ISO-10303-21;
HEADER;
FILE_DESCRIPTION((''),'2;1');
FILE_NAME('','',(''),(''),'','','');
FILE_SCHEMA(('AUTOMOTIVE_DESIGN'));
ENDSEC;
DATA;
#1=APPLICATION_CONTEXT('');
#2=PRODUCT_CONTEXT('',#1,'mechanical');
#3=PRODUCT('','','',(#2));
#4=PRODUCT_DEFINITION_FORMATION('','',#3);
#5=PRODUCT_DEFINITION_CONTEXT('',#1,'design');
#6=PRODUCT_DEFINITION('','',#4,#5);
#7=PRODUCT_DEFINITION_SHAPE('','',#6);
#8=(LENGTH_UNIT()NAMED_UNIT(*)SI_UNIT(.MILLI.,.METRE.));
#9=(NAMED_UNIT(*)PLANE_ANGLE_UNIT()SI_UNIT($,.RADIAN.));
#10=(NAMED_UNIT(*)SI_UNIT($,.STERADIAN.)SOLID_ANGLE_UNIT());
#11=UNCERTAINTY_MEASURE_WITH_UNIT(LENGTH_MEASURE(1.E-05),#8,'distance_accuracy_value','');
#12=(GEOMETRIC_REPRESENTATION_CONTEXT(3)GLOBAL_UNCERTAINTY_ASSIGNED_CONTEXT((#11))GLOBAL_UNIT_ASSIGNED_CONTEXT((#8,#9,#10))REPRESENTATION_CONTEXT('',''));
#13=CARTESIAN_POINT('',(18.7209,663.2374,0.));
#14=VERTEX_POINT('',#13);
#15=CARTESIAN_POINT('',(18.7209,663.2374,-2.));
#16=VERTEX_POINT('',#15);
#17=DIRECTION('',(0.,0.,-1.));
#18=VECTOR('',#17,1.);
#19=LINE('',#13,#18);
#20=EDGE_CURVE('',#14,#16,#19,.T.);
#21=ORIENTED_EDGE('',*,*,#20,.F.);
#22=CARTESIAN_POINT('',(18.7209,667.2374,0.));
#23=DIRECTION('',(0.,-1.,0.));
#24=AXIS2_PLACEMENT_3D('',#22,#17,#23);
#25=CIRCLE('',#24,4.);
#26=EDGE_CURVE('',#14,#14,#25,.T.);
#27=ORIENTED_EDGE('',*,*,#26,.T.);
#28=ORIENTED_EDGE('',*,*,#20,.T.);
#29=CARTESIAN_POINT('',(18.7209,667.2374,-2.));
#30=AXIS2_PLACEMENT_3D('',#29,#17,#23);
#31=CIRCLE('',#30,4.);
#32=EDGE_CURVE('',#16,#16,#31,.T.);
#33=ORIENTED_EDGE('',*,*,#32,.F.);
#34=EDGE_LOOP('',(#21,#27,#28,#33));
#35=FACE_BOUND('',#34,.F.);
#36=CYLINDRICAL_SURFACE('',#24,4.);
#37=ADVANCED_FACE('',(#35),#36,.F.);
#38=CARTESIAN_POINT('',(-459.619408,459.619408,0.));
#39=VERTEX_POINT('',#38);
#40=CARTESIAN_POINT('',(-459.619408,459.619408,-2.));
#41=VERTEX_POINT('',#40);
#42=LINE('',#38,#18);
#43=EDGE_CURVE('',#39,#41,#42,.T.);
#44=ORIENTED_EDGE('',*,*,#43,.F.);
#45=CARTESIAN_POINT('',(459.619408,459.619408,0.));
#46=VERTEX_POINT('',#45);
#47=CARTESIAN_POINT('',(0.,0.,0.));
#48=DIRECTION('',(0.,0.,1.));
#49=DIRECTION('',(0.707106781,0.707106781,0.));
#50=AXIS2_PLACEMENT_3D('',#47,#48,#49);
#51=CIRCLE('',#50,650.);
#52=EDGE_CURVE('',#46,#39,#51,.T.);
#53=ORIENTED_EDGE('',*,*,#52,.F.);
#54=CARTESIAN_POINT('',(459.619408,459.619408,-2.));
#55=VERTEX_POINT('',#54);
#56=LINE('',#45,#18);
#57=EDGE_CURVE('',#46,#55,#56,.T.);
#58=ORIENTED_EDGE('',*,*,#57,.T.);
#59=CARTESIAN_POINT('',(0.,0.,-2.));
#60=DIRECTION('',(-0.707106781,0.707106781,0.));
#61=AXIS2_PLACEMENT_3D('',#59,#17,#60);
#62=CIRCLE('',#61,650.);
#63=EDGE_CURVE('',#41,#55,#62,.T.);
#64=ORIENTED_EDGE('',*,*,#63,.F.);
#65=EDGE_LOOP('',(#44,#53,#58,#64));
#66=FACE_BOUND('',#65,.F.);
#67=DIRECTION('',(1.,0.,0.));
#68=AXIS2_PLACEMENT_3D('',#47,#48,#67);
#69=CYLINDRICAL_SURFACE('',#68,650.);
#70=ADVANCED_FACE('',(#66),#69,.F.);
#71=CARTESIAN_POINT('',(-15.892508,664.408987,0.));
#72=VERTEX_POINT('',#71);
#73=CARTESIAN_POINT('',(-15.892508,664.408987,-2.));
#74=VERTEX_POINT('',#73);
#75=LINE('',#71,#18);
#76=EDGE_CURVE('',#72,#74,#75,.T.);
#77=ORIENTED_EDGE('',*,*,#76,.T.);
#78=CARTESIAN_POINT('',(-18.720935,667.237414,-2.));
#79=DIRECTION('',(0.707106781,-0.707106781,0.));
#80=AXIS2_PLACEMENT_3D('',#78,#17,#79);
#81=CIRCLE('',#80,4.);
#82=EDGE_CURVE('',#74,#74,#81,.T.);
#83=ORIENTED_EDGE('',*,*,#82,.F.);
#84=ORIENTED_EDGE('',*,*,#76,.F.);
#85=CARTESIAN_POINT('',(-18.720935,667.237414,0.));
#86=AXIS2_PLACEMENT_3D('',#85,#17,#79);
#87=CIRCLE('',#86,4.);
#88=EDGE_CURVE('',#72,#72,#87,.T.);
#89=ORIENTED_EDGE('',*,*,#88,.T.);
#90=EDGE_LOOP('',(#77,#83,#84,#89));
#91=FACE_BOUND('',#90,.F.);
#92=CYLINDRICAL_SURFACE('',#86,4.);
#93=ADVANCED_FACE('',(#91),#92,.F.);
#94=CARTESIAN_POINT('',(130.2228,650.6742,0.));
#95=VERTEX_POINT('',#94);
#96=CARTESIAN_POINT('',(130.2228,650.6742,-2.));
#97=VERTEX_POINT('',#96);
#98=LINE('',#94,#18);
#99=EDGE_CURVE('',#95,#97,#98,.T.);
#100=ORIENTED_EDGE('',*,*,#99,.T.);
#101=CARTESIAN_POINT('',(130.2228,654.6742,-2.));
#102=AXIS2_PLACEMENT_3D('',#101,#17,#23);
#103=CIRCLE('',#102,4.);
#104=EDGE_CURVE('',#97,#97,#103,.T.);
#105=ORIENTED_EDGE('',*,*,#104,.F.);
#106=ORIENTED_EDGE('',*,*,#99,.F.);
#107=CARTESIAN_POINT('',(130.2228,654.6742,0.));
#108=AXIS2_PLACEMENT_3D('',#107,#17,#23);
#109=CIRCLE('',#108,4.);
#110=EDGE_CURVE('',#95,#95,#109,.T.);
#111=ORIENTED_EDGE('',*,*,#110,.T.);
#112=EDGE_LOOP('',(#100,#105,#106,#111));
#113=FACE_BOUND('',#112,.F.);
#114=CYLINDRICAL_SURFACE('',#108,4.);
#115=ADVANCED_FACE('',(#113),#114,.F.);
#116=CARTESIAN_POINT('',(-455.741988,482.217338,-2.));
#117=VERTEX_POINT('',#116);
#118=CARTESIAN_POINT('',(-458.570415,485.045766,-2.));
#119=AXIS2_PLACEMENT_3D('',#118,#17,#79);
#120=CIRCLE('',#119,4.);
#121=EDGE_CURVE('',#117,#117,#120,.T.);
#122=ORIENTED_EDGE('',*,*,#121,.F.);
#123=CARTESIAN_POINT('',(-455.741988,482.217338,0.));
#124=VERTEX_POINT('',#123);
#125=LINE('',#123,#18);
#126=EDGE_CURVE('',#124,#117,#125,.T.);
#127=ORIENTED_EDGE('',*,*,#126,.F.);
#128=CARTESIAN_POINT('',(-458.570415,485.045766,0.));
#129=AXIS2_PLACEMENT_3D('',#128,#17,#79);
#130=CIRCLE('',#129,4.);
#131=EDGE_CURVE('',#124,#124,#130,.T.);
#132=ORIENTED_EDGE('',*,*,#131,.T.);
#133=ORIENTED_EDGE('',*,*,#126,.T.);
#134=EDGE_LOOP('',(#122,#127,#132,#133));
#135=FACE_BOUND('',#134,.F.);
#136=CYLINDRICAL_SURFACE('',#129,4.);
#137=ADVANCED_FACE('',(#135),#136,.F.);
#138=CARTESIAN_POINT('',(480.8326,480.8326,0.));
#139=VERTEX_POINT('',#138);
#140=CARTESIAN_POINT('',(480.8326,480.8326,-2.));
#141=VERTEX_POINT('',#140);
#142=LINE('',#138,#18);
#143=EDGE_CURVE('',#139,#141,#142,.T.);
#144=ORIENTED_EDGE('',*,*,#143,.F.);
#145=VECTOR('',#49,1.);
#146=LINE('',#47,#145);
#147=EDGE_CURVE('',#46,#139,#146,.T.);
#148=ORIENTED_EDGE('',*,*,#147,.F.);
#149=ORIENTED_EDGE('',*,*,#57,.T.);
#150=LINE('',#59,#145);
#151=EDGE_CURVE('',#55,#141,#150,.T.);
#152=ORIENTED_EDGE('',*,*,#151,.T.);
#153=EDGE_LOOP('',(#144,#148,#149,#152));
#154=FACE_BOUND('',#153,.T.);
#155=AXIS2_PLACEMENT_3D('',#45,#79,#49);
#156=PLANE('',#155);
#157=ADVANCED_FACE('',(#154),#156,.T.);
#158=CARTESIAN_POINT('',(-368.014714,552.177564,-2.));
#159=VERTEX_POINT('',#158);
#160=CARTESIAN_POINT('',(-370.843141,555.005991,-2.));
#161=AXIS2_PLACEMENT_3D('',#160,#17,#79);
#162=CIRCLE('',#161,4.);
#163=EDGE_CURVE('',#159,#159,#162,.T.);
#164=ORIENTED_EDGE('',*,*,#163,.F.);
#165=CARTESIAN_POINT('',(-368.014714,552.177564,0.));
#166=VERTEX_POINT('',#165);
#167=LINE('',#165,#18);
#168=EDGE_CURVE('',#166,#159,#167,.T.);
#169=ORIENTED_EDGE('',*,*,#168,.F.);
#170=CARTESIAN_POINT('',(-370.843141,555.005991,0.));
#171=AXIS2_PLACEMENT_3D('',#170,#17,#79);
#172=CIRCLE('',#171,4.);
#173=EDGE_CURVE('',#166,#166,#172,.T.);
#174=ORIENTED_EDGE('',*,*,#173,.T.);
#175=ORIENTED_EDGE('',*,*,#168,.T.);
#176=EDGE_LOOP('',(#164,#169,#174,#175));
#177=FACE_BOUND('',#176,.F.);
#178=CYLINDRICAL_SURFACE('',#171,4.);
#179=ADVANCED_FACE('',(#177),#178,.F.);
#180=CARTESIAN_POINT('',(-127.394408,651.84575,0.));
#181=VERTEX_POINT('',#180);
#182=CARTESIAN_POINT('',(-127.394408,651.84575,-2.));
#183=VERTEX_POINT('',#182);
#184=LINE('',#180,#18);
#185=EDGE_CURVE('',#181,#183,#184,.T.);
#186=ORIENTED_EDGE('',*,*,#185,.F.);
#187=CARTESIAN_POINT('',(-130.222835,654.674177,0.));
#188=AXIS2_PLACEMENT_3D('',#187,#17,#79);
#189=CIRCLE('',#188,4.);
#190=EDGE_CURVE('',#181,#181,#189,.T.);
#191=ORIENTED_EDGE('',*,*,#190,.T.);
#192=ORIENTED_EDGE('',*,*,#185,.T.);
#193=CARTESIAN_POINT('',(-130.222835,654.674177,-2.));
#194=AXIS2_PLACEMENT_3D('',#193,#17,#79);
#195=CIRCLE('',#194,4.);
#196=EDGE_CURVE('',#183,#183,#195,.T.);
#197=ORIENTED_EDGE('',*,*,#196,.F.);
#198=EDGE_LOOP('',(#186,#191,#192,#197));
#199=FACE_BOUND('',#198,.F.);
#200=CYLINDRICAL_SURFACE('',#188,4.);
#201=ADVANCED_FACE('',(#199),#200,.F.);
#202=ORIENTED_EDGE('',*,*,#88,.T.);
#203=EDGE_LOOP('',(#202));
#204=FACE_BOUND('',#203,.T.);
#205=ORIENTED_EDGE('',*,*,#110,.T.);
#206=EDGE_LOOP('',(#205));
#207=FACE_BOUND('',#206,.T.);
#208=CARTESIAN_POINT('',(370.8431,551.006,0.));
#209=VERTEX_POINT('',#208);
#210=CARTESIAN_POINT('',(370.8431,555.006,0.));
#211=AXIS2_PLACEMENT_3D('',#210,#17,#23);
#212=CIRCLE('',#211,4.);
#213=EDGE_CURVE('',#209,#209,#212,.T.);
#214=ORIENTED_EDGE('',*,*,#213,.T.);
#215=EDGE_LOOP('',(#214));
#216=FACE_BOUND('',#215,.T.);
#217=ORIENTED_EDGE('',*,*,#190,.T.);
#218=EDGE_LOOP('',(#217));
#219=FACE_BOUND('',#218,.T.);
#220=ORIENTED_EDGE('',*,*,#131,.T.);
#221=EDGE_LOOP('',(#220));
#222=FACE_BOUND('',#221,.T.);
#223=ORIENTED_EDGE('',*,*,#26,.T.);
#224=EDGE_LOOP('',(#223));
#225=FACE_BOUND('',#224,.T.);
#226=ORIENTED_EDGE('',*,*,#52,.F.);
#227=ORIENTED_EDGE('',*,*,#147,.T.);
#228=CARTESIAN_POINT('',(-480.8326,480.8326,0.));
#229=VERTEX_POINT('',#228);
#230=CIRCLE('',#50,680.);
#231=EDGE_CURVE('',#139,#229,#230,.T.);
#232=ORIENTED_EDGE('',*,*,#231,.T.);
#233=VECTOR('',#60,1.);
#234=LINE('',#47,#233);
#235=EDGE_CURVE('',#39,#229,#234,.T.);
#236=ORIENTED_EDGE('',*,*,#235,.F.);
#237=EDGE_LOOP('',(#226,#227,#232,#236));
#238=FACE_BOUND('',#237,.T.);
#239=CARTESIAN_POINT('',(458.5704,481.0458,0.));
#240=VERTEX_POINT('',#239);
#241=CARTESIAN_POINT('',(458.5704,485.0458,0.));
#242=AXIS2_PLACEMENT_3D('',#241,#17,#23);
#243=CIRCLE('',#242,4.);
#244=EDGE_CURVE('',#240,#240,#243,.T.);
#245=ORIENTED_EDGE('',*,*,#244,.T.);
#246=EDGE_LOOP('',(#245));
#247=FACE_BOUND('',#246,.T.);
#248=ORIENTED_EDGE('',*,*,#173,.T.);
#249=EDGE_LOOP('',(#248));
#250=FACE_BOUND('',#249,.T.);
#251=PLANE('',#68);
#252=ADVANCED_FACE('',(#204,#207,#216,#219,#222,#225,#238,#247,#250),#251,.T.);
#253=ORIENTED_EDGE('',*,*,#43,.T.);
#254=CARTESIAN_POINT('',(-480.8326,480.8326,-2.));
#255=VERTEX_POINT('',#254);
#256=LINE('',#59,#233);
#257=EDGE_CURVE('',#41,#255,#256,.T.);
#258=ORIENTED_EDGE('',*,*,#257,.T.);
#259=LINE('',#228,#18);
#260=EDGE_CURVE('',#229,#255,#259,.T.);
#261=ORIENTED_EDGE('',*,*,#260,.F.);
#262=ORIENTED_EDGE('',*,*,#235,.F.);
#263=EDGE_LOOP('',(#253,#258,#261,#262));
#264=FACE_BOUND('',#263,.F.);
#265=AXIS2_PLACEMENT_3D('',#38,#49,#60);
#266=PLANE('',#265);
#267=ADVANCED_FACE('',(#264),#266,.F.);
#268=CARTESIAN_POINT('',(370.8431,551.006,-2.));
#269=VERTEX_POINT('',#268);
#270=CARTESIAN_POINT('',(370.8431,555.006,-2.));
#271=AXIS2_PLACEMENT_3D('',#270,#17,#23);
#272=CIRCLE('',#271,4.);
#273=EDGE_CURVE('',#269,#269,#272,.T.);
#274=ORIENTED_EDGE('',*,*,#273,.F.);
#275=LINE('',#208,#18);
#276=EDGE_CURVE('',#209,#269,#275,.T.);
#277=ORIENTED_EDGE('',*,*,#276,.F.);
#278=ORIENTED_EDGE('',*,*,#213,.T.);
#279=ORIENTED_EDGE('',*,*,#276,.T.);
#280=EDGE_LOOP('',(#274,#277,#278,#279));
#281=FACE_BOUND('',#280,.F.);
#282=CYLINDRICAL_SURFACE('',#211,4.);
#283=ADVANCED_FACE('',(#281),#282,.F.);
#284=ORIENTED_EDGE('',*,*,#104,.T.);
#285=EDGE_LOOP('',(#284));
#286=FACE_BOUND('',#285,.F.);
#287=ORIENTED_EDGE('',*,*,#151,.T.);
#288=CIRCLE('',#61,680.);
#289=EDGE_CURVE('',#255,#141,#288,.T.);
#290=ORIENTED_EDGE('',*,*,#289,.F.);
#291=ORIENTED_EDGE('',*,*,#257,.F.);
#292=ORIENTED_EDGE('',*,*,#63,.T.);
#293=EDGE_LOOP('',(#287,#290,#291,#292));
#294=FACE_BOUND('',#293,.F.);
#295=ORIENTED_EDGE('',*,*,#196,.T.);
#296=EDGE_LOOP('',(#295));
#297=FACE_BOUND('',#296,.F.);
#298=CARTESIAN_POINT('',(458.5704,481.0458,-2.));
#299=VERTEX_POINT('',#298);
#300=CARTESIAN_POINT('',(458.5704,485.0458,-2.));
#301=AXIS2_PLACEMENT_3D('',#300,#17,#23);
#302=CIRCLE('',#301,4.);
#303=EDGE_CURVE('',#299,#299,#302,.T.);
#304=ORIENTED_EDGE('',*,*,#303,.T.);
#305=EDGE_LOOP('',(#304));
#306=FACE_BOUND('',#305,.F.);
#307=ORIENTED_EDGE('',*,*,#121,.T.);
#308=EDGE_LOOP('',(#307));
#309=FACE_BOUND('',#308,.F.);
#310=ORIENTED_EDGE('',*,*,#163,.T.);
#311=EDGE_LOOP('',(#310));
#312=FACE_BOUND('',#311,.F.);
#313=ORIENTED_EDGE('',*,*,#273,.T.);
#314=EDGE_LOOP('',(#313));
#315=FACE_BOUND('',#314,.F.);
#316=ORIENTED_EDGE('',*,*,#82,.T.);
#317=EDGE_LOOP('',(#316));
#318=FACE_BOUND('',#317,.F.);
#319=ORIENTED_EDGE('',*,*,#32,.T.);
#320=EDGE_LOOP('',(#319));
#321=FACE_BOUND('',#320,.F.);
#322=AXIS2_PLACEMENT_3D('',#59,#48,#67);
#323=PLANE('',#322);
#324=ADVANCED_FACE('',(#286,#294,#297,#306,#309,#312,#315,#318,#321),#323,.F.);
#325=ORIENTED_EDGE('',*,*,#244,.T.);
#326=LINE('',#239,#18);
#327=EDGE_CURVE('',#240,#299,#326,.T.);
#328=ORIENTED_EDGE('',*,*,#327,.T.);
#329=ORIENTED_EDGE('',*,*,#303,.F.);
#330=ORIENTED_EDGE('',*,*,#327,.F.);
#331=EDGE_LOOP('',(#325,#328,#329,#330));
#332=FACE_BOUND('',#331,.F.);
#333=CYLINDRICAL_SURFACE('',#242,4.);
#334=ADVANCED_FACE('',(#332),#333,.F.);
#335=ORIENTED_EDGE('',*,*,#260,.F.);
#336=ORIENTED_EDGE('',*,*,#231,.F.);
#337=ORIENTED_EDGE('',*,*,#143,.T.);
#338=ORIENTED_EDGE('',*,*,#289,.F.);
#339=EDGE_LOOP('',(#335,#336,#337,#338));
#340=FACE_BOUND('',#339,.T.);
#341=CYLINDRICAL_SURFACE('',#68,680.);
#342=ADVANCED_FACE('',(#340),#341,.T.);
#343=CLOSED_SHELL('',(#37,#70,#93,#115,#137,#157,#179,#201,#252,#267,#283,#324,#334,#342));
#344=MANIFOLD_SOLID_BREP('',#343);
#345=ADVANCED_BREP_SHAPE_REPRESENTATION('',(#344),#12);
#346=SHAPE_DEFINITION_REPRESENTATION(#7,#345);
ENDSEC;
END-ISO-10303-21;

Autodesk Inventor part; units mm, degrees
ref_plane "YZ Plane" through (0, 0, 0) normal (1, 0, 0) x (0, 1, 0)
ref_plane "XZ Plane" through (0, 0, 0) normal (0, 1, 0) x (-1, 0, 0)
ref_plane "XY Plane" through (0, 0, 0) normal (0, 0, 1) x (1, 0, 0)
sketch "Sketch1" plane through (0, 0, 0) normal (0, 0, 1) x (1, 0, 0)
  circle A0 centre (0, 0) radius 650
  circle A1 centre (0, 0) radius 680
  line L0 (0, 0) -> (-480.8326, 480.8326)
  line L1 (0, 0) -> (0, 680)
  line L2 (0, 0) -> (480.8326, 480.8326)
  point P0 (-459.6194, 459.6194)
  point P1 (459.6194, 459.6194)
  dimension "d30" = 90
  dimension "d31" = 1360
  dimension "d32" = 1300
extrude "Plate1" add sketch "Sketch1" against normal blind 2 contours A0 L1 A1 L2 | L0 A1 L1 A0
sketch "Sketch2" plane through (0, 0, 0) normal (0, 0, 1) x (1, 0, 0)
  circle A0 centre (0, 0) radius 667.5
  arc A1 (480.8326, 480.8326) -> (-480.8326, 480.8326) centre (0, 0) ccw projected
  line L0 (0, 0) -> (480.8326, 480.8326) construction
  line L1 (0, 0) -> (458.5704, 485.0458) construction
  line L2 (370.8431, 555.006) -> (0, 0) construction
  line L3 (0, 0) -> (0, 667.5) construction
  line L4 (0, 0) -> (18.7209, 667.2374) construction
  line L5 (0, 0) -> (130.2228, 654.6742) construction
  line L6 (0, 0) -> (339.1403, 574.9262) construction
  line L7 (0, 0) -> (238.0449, 623.6112) construction
  dimension "d34" = 1335
  dimension "d35" = 1.607
  dimension "d36" = 9.643
  dimension "d44" = 1.607
  dimension "d45" = 9.643
  dimension "d49" = 3.214
  dimension "d50" = 9.643
hole "Hole1" at (458.5704, 485.0458, 0) at (370.8431, 555.006, 0) at (130.2228, 654.6742, 0) at (18.7209, 667.2374, 0) direction (0, 0, -1) diameter 8 end through all
pattern_circular "Circular Pattern1" count 2 over 45 about axis through (0, 0, -10) along (0, 0, 1) of "Hole1"
equation "\"d31\" = Колесо_диам_1"
equation "\"d32\" = Колесо_диам_2"
equation "\"d44\" = d35"
equation "\"d45\" = d36"
equation "\"d49\" = 2 * d35"
equation "\"d50\" = d36"
equation "\"d42\" = Thickness"
equation "\"d15\" = Thickness"
equation "\"BendRadius\" = Thickness"
equation "\"BendReliefWidth\" = Thickness"
equation "\"BendReliefDepth\" = 0.5 * Thickness"
equation "\"CornerReliefSize\" = 4 * Thickness"
equation "\"MinimumRemnant\" = 2 * Thickness"
equation "\"TransitionRadius\" = BendRadius"
equation "\"JacobiRadiusSize\" = BendRadius"
equation "\"GapSize\" = Thickness"
equation "\"Колесо_диам_1\" = 1360"
equation "\"Колесо_диам_2\" = 1300"
equation "\"Thickness\" = 2"
properties part number "DMF2.0 01 43 Gear rim 3"
